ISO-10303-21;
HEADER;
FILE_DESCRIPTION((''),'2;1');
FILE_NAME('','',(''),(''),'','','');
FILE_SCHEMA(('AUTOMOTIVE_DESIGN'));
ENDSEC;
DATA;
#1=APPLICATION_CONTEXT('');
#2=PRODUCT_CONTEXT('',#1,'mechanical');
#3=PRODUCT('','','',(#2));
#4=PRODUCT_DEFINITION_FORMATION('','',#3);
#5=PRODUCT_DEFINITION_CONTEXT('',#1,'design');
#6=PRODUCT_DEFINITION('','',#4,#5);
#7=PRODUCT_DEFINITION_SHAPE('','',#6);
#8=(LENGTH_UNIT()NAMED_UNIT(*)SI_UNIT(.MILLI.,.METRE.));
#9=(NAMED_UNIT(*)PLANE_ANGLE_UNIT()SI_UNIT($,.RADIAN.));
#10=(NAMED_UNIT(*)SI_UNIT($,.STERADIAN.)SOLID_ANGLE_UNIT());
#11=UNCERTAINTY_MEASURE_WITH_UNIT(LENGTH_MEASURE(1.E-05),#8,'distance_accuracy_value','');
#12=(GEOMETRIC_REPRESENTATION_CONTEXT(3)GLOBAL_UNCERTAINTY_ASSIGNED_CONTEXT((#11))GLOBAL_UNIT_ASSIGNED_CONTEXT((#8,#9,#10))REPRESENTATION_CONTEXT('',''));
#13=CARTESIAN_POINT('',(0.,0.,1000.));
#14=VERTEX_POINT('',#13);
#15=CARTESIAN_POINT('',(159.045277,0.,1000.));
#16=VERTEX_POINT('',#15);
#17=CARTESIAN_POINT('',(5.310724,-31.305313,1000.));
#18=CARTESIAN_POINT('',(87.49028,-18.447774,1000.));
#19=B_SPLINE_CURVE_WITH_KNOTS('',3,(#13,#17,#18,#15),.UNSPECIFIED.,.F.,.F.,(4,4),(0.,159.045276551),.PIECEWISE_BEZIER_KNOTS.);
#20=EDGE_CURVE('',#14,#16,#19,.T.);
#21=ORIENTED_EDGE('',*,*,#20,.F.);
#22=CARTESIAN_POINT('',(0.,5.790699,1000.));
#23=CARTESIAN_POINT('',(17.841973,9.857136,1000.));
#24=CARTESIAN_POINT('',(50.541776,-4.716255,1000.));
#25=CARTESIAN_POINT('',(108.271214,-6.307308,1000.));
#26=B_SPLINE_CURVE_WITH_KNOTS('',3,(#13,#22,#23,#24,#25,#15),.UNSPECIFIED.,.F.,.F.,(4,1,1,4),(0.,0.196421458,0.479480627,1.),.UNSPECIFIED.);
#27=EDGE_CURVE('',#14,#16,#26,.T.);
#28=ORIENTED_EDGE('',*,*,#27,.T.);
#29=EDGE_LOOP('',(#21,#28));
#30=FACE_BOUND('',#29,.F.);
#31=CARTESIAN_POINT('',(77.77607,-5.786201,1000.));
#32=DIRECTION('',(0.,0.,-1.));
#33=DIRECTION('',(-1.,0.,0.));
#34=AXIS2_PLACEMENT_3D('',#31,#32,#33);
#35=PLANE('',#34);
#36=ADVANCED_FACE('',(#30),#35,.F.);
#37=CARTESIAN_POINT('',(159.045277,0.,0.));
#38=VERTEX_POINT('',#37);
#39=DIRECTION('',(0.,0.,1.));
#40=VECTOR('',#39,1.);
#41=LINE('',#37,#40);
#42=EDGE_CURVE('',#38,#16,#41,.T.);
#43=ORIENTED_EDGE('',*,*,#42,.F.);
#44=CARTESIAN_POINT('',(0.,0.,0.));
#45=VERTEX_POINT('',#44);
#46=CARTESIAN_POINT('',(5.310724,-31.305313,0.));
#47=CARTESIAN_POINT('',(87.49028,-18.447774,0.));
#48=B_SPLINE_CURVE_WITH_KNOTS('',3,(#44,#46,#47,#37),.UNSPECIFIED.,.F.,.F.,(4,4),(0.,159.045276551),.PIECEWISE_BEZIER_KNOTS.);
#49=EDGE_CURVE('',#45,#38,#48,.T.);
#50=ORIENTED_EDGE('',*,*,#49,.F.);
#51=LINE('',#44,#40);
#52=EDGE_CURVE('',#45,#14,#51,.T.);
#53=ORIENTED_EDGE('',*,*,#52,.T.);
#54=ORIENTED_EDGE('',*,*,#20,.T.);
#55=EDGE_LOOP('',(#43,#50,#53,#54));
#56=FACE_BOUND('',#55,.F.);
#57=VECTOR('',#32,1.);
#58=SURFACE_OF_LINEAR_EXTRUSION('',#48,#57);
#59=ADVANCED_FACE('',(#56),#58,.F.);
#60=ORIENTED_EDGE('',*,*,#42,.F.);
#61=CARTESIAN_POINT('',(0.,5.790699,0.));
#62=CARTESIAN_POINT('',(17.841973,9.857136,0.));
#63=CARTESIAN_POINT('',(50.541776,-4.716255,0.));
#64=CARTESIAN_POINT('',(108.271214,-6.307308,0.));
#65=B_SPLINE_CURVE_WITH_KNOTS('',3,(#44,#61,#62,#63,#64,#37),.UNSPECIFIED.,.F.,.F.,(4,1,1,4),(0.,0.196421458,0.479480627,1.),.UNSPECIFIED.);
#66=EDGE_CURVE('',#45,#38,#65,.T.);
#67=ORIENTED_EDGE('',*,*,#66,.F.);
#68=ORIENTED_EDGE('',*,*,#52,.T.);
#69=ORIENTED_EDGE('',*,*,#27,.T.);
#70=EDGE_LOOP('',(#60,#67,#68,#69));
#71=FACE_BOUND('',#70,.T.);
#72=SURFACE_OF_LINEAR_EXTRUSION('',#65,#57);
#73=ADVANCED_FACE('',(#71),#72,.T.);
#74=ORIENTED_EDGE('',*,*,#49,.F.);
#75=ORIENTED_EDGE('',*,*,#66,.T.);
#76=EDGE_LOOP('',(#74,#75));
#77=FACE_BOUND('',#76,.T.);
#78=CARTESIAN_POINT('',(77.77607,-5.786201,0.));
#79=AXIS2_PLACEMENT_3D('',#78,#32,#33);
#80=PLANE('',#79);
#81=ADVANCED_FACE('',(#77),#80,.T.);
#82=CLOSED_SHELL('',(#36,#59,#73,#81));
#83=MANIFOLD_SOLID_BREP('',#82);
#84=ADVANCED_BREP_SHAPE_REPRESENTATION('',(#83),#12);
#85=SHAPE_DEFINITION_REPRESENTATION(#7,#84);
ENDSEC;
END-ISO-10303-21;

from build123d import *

# Parameters (mm, degrees)
F1_DEPTH = 1000


with BuildPart() as f1:
    # F0 (on Top) → F1 (new body)
    with BuildSketch(Plane.XY):
        with BuildLine():
            add(Edge.make_bspline(
                [(0, 0), (0, 5.7906993312), (17.8419729613, 9.8571357698), (50.5417764511, -4.7162550405), (108.2712138779, -6.3073075562), (159.0452765506, 0)],
                knots=[0, 0, 0, 0, 0.1964214584, 0.479480627, 1, 1, 1, 1], degree=3))
            add(Edge.make_bspline(
                [(0, 0), (5.3107244894, -31.3053131104), (87.4902804774, -18.4477735311), (159.0452765506, 0)],
                knots=[0, 0, 0, 0, 159.0452765506, 159.0452765506, 159.0452765506, 159.0452765506], degree=3))
        make_face()
    extrude(amount=F1_DEPTH)


solid = f1.part
